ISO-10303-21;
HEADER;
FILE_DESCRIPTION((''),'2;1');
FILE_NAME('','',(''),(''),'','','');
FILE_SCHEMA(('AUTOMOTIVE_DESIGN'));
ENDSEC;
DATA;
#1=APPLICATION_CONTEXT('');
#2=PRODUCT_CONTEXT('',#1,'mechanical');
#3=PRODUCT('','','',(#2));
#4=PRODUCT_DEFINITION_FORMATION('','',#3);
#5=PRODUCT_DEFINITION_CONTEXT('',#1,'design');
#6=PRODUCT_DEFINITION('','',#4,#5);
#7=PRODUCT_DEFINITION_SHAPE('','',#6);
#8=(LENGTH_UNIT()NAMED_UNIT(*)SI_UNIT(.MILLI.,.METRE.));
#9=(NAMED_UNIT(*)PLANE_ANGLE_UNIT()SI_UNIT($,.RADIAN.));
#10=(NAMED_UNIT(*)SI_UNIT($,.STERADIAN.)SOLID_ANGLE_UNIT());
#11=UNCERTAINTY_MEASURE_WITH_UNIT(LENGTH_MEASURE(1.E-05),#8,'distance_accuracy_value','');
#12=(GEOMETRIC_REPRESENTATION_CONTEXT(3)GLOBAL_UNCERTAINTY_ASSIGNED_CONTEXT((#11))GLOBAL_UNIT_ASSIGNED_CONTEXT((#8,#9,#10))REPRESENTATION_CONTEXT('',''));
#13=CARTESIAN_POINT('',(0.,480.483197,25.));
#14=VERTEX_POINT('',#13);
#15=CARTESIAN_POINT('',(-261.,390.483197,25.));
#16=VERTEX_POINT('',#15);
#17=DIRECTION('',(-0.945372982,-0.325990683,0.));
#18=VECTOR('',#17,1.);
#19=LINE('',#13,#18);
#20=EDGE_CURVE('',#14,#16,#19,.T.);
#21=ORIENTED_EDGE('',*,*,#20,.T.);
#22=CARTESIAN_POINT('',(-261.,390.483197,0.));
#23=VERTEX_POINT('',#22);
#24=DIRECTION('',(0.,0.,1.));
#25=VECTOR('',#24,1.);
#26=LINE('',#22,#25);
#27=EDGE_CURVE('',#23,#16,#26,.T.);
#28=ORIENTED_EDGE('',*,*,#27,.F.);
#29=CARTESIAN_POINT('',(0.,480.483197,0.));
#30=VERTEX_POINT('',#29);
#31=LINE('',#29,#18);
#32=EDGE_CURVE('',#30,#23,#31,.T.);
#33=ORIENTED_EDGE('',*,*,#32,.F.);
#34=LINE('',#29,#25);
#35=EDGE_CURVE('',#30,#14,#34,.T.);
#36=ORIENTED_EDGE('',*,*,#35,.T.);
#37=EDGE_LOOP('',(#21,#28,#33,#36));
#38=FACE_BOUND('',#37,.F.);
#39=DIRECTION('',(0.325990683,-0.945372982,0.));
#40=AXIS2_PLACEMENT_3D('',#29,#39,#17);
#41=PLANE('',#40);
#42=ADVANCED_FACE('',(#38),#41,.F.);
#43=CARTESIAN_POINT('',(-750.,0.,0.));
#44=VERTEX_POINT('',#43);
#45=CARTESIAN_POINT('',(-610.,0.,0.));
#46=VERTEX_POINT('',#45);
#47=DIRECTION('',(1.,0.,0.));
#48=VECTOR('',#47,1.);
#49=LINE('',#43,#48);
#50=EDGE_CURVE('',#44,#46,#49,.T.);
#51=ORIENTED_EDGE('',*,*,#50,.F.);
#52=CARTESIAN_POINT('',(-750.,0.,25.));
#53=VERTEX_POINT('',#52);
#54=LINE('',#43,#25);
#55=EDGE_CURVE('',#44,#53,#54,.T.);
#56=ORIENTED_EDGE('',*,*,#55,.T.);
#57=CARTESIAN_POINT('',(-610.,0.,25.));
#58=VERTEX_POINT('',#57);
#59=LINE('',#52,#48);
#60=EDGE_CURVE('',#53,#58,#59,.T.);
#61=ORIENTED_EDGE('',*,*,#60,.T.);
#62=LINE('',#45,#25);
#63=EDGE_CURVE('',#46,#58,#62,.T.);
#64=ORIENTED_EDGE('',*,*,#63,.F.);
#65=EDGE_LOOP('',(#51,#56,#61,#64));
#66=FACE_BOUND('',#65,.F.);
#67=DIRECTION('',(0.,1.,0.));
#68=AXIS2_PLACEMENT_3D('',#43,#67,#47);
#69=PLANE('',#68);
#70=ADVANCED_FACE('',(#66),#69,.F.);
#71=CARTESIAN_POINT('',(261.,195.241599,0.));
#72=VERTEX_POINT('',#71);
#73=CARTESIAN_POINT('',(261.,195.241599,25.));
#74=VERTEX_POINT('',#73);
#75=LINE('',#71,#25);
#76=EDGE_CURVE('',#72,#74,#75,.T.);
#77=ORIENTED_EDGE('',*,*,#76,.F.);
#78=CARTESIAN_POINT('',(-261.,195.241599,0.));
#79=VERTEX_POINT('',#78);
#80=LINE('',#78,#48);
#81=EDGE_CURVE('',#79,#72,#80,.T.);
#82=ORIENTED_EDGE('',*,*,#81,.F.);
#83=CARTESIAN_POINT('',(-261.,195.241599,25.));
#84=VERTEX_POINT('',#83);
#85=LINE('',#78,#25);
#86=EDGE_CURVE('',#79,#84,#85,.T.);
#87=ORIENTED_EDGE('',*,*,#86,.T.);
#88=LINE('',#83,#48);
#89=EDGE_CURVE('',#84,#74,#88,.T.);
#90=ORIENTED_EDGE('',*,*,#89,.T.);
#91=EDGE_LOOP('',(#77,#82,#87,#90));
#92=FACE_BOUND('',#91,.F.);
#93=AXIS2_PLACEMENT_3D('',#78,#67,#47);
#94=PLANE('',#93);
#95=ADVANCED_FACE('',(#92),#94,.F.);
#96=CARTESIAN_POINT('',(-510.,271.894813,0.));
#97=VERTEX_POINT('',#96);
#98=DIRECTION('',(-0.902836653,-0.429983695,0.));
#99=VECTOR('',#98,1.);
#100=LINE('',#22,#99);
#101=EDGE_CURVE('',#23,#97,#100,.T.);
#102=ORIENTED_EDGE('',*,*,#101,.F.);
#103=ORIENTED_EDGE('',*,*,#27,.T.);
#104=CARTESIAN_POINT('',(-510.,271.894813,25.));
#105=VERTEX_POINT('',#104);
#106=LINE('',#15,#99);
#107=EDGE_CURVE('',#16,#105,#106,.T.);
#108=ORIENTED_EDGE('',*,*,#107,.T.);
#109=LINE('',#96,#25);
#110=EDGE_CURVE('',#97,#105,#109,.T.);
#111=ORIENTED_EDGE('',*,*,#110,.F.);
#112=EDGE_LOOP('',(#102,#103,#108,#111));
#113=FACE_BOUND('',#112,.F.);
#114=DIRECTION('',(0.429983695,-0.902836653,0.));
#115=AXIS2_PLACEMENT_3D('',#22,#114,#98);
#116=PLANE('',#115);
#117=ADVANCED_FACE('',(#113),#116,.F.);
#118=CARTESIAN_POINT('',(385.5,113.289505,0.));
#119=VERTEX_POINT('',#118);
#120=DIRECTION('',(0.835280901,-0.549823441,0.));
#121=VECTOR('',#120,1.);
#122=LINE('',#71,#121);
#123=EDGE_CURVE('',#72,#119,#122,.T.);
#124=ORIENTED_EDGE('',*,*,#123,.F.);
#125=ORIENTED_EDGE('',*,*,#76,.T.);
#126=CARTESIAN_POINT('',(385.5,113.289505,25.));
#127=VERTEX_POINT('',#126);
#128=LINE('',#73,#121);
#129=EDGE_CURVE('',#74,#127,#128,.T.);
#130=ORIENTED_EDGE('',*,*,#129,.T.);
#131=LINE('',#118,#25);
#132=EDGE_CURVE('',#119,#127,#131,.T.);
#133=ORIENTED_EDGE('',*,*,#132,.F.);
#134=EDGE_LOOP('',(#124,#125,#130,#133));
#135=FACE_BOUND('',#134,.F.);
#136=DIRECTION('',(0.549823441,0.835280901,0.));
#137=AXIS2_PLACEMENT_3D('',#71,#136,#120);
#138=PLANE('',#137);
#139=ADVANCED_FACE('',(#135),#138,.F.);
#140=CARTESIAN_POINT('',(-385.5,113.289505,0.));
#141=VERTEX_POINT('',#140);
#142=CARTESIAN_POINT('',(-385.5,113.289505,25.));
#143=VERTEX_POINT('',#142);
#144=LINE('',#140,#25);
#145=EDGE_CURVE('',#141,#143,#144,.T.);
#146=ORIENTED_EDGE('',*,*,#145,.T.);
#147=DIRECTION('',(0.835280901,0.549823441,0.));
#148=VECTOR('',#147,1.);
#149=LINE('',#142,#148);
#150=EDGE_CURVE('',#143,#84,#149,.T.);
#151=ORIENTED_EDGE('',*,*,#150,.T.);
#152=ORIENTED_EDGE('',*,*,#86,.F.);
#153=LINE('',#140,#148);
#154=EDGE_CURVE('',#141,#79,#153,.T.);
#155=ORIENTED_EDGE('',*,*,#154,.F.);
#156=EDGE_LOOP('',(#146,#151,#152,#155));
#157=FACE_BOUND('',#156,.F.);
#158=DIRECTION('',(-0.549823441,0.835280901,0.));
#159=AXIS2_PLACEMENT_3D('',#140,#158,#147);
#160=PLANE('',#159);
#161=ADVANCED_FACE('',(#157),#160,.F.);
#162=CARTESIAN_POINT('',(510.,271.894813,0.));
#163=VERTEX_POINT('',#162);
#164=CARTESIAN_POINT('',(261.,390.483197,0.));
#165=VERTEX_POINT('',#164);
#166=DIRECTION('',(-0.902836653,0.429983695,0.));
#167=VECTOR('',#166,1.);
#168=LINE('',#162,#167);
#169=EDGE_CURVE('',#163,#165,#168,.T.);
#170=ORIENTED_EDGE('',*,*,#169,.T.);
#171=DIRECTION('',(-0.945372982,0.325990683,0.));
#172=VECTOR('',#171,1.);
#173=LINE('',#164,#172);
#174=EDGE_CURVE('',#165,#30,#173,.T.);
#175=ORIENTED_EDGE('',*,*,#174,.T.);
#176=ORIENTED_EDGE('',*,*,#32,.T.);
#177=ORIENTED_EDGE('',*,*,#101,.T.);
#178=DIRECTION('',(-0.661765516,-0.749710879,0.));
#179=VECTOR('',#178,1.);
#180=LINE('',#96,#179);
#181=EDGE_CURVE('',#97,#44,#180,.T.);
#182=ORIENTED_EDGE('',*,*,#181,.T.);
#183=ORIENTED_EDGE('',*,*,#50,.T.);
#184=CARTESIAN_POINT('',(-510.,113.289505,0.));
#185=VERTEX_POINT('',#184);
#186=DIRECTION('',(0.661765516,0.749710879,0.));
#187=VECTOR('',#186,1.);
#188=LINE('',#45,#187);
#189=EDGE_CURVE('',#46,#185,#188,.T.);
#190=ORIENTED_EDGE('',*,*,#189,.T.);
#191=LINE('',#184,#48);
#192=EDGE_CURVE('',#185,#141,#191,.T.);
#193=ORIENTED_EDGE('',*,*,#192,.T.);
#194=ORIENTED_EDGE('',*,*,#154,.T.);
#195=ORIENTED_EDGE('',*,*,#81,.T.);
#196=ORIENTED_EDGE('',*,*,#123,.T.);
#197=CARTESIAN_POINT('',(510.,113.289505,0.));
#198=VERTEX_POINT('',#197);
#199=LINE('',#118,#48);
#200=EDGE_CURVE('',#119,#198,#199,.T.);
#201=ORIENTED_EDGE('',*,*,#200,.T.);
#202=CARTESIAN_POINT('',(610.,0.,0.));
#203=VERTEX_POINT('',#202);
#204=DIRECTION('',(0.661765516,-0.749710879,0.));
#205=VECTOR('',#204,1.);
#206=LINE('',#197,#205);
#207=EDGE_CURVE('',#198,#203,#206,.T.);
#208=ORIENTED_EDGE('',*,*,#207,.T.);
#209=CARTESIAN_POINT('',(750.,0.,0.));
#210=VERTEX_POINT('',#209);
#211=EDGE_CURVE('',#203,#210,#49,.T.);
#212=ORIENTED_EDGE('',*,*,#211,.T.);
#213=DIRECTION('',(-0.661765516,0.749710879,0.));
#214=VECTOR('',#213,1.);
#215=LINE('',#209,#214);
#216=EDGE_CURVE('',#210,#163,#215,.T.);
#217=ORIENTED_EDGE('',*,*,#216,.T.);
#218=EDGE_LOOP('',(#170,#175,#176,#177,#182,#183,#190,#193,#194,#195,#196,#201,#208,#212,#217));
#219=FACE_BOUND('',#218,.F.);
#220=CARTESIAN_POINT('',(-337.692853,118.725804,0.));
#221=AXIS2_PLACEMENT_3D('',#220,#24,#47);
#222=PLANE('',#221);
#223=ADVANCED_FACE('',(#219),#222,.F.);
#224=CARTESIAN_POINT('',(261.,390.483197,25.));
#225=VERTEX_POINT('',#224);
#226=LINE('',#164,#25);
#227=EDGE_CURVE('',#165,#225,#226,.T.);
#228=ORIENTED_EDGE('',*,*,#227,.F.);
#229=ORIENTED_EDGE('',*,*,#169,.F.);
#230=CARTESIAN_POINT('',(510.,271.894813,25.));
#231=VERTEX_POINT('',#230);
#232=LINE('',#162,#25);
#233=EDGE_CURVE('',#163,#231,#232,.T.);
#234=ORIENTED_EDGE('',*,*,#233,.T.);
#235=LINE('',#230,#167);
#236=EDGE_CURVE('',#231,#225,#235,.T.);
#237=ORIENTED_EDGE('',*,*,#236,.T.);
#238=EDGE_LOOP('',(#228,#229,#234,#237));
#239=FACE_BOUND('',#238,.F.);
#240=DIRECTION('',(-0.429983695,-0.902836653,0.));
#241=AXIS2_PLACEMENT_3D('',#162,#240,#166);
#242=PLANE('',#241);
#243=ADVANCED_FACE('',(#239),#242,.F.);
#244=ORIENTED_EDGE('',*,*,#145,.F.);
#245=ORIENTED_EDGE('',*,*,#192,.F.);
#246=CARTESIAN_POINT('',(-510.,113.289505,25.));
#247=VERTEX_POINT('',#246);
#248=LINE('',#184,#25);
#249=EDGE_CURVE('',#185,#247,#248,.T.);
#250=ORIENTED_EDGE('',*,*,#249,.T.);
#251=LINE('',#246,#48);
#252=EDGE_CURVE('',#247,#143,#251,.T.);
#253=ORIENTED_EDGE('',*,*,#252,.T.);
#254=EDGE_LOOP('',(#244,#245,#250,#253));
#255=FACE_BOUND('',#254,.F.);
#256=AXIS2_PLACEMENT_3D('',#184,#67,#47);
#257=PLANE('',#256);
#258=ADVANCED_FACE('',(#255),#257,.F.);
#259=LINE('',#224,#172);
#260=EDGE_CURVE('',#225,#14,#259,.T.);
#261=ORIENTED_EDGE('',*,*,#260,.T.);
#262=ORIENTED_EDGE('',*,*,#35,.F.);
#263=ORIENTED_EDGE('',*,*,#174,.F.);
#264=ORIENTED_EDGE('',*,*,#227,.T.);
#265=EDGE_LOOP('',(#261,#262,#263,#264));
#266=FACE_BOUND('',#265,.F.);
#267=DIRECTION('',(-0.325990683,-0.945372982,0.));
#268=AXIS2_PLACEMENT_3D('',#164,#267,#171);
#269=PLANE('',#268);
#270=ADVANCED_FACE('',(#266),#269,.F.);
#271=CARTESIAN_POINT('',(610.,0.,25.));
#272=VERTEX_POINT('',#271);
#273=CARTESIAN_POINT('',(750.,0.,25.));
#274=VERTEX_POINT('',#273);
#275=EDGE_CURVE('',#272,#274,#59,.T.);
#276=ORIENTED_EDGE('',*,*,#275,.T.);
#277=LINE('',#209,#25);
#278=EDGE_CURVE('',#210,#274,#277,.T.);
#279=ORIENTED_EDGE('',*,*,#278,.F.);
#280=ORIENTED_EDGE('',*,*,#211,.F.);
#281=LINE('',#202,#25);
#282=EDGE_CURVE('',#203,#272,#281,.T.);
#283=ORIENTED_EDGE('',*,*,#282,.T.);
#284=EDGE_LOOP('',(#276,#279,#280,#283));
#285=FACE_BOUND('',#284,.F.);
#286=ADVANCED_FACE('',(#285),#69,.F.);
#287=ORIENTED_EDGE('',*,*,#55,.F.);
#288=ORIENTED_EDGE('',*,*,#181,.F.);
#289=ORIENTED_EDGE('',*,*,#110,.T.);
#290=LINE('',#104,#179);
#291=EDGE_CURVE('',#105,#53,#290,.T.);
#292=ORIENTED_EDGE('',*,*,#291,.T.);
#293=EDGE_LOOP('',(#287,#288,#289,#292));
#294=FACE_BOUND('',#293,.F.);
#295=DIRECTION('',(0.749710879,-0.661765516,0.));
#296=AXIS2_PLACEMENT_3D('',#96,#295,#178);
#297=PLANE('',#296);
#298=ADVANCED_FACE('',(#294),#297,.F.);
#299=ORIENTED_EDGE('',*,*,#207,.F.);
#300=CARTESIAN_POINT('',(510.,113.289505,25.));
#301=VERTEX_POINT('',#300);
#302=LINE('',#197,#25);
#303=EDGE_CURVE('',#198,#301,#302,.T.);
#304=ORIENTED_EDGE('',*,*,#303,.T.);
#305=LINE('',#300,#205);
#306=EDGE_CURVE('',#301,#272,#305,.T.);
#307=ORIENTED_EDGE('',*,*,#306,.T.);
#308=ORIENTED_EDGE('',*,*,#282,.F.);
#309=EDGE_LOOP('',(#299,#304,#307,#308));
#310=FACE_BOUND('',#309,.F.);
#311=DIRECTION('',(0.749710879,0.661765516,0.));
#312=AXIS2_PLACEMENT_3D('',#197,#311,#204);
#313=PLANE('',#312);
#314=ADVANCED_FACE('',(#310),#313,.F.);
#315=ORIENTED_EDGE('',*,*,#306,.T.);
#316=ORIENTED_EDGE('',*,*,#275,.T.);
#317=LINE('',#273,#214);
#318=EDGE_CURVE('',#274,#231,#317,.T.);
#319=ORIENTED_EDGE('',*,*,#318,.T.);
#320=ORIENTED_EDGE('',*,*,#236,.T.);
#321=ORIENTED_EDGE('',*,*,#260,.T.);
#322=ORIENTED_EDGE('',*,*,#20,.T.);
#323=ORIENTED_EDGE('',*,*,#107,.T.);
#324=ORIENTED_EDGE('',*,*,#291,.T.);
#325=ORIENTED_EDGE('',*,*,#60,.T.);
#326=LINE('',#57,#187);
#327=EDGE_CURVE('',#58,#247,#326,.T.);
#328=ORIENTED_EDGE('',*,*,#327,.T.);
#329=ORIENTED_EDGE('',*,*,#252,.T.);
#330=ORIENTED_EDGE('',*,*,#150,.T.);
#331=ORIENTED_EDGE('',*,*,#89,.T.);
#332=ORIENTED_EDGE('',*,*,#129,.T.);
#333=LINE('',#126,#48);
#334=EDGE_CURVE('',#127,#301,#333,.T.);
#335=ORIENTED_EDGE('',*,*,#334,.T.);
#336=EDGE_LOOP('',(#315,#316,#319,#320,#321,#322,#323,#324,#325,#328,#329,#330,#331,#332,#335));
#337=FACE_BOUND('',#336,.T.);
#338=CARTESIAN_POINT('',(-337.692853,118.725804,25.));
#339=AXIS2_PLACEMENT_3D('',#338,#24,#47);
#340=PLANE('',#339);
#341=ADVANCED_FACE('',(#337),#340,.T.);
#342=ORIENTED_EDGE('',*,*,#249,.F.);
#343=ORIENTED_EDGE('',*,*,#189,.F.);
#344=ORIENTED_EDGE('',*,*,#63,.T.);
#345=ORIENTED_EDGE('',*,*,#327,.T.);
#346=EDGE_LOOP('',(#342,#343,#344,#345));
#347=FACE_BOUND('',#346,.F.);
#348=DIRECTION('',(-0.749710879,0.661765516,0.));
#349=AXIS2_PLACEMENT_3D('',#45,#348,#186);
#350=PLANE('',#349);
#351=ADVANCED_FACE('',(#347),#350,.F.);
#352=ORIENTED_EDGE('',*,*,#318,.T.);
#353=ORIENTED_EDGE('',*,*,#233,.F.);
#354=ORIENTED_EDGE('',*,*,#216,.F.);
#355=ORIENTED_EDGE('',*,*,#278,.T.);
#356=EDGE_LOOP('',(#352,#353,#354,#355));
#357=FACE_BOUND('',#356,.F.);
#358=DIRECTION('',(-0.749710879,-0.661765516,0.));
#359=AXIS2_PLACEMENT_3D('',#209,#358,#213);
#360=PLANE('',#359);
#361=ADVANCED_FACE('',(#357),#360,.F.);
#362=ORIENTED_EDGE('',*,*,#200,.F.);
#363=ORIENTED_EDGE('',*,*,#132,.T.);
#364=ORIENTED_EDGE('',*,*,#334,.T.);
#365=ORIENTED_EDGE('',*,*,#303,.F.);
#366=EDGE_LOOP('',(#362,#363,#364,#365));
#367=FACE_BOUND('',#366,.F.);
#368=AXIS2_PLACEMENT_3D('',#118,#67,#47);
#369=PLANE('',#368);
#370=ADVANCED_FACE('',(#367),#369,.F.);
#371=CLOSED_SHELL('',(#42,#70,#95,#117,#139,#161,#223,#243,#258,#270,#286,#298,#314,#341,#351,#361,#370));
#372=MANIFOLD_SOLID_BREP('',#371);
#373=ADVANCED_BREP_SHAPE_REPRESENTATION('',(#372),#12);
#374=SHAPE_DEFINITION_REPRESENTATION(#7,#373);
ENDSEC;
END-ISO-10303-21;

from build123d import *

# Parameters (mm, degrees)
F1_DEPTH = 25
F3_DEPTH = 25
F4_W     = 200
F4_H     = 100
F5_DEPTH = 25


with BuildPart() as f1:
    # F0 (on Top) → F1 (new body)
    with BuildSketch(Plane.XY):
        Polygon((-510, 271.8948125839), (-750, 0), (0, 0), (0, 271.8948125839), align=None)
        Polygon((-261, 390.4831971128), (-510, 271.8948125839), (0, 271.8948125839), (0, 390.4831971128), align=None)
        Polygon((0, 480.4831971128), (-261, 390.4831971128), (0, 390.4831971128), align=None)
        Polygon((0, 480.4831971128), (0, 390.4831971128), (261, 390.4831971128), align=None)
        Polygon((0, 390.4831971128), (0, 271.8948125839), (510, 271.8948125839), (261, 390.4831971128), align=None)
        Polygon((0, 271.8948125839), (0, 0), (750, 0), (510, 271.8948125839), align=None)
    extrude(amount=F1_DEPTH)

    # F2 (on face) → F3 (cut)
    with BuildSketch(Plane(origin=(0, 0, 0), x_dir=(1, 0, 0), z_dir=(0, 0, -1))):
        Polygon((610, 0), (-610, 0), (-510, -113.2895052433), (-385.5, -113.2895052433), (-261, -195.2415985564), (261, -195.2415985564), (385.5, -113.2895052433), (510, -113.2895052433), align=None)
    extrude(amount=-F3_DEPTH, mode=Mode.SUBTRACT)


with BuildPart() as f5:
    # F4 (on face) → F5 (new body)
    with BuildSketch(Plane.XY.offset(25)):
        with Locations((0, 145.2415985564)):
            Rectangle(F4_W, F4_H)
    extrude(amount=-F5_DEPTH)


solid = f1.part
